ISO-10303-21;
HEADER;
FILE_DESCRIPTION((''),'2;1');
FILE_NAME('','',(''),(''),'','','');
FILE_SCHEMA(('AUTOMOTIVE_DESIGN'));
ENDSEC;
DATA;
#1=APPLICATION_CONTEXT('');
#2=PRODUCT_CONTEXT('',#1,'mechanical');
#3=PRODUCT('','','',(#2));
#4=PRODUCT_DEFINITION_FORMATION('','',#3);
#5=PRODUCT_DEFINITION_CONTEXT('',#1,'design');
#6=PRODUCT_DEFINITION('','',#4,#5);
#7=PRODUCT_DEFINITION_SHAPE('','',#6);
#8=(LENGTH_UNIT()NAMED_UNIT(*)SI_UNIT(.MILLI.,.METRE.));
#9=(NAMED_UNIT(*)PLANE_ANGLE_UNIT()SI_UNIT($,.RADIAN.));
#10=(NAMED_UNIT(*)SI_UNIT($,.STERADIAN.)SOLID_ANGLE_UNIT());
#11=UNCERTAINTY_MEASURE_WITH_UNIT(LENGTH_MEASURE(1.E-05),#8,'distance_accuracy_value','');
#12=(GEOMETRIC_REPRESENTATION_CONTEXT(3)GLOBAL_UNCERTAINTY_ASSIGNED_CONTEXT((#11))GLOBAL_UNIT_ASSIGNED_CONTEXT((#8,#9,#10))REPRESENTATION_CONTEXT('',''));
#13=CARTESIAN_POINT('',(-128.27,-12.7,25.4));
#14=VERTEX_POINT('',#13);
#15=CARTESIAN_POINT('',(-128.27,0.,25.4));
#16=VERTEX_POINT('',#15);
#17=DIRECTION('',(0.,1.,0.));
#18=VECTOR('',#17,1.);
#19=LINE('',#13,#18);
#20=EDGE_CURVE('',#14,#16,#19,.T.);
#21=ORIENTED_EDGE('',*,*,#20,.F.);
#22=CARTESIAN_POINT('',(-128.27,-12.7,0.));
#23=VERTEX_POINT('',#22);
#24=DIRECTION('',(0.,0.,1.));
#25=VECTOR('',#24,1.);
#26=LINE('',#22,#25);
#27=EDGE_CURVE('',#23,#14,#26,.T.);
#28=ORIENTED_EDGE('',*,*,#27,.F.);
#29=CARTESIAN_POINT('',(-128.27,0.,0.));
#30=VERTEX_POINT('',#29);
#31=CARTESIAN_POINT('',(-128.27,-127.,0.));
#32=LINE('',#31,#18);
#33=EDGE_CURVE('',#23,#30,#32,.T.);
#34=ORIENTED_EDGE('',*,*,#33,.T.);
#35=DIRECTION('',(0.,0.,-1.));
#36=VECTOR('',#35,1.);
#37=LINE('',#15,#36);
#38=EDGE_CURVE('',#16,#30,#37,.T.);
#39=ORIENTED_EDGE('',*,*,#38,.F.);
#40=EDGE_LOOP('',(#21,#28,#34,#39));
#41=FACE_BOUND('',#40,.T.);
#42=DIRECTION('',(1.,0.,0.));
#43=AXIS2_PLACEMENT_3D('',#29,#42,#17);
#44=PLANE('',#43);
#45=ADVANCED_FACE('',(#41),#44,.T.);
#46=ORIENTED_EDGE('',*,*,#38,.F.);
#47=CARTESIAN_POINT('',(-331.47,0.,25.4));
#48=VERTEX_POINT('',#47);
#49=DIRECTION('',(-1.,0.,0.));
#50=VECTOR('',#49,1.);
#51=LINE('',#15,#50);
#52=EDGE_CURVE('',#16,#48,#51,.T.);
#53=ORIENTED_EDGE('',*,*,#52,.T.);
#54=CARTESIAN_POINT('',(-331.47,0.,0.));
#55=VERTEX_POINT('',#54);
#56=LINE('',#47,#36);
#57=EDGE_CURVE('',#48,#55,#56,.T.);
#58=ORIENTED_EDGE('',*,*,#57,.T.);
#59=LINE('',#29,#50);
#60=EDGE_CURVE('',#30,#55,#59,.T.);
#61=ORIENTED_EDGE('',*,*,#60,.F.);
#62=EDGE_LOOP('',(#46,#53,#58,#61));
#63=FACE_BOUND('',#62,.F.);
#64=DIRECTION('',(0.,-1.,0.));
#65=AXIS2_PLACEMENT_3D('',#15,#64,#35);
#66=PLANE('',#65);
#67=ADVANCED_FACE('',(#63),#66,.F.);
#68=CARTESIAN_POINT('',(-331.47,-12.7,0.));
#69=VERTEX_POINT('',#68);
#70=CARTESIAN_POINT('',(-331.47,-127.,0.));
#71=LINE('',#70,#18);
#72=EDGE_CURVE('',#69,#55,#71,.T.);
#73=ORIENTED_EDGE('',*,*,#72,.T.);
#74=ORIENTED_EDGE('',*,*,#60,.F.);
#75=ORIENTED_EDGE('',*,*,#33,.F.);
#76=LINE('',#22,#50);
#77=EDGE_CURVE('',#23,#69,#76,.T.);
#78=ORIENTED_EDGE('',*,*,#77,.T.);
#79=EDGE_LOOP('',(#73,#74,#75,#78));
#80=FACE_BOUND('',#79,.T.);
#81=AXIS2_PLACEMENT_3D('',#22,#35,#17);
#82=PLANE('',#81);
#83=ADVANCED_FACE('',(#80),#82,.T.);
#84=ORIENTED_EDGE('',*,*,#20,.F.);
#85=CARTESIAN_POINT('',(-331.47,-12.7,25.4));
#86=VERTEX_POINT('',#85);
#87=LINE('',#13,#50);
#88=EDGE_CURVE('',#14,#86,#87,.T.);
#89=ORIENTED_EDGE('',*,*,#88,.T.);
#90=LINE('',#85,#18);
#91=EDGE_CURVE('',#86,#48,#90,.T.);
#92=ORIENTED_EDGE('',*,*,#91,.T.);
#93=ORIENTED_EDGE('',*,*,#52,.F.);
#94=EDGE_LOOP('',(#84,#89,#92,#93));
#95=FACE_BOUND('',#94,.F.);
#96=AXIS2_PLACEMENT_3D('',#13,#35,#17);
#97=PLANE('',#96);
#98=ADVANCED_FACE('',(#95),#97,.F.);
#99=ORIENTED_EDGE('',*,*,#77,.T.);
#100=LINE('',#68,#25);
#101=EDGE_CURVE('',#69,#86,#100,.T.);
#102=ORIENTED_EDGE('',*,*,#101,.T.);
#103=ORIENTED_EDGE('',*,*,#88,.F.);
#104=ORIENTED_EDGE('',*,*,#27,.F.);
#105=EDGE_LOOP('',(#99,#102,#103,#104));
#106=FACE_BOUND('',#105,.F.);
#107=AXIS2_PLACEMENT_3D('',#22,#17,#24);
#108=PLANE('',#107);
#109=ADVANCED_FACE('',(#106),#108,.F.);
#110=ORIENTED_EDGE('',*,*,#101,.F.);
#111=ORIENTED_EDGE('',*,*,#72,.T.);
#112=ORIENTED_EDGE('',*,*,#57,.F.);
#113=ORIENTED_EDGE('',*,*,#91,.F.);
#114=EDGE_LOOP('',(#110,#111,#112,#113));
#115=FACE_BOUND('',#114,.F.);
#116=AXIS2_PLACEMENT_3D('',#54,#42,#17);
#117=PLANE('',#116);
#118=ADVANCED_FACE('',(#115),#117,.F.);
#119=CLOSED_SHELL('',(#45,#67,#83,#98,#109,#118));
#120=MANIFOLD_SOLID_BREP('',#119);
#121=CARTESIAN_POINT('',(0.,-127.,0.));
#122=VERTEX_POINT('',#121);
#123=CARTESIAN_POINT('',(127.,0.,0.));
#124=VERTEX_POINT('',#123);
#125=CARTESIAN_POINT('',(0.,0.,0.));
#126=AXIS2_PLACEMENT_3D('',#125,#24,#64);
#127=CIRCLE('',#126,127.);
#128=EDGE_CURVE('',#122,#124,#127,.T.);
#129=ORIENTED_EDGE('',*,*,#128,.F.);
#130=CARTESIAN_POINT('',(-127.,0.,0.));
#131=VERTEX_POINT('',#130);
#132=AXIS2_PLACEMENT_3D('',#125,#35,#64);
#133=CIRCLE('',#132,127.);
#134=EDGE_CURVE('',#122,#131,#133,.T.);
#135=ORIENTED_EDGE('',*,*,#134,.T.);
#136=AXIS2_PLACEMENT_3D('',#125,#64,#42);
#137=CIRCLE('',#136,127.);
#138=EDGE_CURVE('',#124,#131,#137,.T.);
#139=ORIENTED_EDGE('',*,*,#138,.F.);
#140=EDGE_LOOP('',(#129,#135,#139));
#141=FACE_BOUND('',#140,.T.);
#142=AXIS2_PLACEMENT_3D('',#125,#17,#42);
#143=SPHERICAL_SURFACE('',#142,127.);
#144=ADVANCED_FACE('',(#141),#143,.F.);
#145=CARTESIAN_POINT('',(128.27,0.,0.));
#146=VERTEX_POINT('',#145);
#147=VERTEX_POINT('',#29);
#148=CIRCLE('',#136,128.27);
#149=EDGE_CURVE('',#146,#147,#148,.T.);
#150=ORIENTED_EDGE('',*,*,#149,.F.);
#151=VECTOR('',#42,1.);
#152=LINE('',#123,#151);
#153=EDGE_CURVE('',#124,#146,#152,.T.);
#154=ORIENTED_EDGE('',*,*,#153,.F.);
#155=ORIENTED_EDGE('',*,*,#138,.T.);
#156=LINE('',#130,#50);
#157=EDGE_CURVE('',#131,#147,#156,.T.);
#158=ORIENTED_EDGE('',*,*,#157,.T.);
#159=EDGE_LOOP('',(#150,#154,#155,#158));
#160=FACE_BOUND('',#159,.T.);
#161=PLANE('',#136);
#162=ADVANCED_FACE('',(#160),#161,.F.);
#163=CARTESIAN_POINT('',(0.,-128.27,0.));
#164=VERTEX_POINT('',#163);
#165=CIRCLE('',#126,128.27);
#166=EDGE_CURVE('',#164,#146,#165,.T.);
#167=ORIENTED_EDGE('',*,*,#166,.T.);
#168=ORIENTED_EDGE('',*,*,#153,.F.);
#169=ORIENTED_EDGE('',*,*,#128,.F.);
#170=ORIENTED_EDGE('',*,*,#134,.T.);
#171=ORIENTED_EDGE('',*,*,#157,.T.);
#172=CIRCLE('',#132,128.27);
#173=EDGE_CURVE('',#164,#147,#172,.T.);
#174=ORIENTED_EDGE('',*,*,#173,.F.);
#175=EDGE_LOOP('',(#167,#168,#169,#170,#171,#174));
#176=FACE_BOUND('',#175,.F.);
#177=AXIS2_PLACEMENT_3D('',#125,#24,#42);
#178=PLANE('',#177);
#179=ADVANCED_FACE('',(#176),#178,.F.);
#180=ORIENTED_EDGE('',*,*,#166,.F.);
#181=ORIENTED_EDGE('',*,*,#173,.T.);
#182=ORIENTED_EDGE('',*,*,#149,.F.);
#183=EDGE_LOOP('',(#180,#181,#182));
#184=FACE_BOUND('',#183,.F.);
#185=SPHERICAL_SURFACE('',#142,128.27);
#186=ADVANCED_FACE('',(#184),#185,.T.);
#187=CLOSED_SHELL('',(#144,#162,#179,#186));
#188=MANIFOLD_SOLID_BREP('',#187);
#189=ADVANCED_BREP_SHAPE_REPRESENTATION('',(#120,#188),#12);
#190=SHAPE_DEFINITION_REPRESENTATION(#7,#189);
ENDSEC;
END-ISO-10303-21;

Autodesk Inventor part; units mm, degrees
ref_plane "XZ Plane" through (0, 0, 0) normal (0, 1, 0) x (-1, 0, 0)
ref_plane "XY Plane" through (0, 0, 0) normal (0, 0, 1) x (1, 0, 0)
sketch "Sketch1" plane through (0, 0, 0) normal (0, 0, 1) x (1, 0, 0)
  arc A0 (0, -127) -> (127, 0) centre (0, 0) ccw
  arc A1 (0, -128.27) -> (128.27, 0) centre (0, 0) ccw
  line L0 (127, 0) -> (128.27, 0)
  line L1 (0, -127) -> (0, -128.27)
  line L2 (0, -185.8027) -> (0, 30.9671) projected
  dimension "d0" = 254
  dimension "d1" = 256.54
revolve "Revolution1" add sketch "Sketch1" angle 180 about axis through (0, -10, 0) along (0, -1, 0)
ref_plane "Work Plane1" through (-128.27, 0, 0) normal (1, 0, 0) x (0, 1, 0)
sketch "Sketch2" plane through (-128.27, 0, 0) normal (1, 0, 0) x (0, 1, 0)
  line L0 (-127, 0) -> (0, 0) projected
  line L1 (0, 0) -> (-12.7, 0)
  line L2 (-12.7, 0) -> (-12.7, 25.4)
  line L3 (-12.7, 25.4) -> (0, 25.4)
  line L4 (0, 25.4) -> (0, 0)
  dimension "d3" = 25.4
  dimension "d4" = 12.7
extrude "Extrusion1" add sketch "Sketch2" against normal blind 203.2
properties part number "oneHalfSaladBowl"
